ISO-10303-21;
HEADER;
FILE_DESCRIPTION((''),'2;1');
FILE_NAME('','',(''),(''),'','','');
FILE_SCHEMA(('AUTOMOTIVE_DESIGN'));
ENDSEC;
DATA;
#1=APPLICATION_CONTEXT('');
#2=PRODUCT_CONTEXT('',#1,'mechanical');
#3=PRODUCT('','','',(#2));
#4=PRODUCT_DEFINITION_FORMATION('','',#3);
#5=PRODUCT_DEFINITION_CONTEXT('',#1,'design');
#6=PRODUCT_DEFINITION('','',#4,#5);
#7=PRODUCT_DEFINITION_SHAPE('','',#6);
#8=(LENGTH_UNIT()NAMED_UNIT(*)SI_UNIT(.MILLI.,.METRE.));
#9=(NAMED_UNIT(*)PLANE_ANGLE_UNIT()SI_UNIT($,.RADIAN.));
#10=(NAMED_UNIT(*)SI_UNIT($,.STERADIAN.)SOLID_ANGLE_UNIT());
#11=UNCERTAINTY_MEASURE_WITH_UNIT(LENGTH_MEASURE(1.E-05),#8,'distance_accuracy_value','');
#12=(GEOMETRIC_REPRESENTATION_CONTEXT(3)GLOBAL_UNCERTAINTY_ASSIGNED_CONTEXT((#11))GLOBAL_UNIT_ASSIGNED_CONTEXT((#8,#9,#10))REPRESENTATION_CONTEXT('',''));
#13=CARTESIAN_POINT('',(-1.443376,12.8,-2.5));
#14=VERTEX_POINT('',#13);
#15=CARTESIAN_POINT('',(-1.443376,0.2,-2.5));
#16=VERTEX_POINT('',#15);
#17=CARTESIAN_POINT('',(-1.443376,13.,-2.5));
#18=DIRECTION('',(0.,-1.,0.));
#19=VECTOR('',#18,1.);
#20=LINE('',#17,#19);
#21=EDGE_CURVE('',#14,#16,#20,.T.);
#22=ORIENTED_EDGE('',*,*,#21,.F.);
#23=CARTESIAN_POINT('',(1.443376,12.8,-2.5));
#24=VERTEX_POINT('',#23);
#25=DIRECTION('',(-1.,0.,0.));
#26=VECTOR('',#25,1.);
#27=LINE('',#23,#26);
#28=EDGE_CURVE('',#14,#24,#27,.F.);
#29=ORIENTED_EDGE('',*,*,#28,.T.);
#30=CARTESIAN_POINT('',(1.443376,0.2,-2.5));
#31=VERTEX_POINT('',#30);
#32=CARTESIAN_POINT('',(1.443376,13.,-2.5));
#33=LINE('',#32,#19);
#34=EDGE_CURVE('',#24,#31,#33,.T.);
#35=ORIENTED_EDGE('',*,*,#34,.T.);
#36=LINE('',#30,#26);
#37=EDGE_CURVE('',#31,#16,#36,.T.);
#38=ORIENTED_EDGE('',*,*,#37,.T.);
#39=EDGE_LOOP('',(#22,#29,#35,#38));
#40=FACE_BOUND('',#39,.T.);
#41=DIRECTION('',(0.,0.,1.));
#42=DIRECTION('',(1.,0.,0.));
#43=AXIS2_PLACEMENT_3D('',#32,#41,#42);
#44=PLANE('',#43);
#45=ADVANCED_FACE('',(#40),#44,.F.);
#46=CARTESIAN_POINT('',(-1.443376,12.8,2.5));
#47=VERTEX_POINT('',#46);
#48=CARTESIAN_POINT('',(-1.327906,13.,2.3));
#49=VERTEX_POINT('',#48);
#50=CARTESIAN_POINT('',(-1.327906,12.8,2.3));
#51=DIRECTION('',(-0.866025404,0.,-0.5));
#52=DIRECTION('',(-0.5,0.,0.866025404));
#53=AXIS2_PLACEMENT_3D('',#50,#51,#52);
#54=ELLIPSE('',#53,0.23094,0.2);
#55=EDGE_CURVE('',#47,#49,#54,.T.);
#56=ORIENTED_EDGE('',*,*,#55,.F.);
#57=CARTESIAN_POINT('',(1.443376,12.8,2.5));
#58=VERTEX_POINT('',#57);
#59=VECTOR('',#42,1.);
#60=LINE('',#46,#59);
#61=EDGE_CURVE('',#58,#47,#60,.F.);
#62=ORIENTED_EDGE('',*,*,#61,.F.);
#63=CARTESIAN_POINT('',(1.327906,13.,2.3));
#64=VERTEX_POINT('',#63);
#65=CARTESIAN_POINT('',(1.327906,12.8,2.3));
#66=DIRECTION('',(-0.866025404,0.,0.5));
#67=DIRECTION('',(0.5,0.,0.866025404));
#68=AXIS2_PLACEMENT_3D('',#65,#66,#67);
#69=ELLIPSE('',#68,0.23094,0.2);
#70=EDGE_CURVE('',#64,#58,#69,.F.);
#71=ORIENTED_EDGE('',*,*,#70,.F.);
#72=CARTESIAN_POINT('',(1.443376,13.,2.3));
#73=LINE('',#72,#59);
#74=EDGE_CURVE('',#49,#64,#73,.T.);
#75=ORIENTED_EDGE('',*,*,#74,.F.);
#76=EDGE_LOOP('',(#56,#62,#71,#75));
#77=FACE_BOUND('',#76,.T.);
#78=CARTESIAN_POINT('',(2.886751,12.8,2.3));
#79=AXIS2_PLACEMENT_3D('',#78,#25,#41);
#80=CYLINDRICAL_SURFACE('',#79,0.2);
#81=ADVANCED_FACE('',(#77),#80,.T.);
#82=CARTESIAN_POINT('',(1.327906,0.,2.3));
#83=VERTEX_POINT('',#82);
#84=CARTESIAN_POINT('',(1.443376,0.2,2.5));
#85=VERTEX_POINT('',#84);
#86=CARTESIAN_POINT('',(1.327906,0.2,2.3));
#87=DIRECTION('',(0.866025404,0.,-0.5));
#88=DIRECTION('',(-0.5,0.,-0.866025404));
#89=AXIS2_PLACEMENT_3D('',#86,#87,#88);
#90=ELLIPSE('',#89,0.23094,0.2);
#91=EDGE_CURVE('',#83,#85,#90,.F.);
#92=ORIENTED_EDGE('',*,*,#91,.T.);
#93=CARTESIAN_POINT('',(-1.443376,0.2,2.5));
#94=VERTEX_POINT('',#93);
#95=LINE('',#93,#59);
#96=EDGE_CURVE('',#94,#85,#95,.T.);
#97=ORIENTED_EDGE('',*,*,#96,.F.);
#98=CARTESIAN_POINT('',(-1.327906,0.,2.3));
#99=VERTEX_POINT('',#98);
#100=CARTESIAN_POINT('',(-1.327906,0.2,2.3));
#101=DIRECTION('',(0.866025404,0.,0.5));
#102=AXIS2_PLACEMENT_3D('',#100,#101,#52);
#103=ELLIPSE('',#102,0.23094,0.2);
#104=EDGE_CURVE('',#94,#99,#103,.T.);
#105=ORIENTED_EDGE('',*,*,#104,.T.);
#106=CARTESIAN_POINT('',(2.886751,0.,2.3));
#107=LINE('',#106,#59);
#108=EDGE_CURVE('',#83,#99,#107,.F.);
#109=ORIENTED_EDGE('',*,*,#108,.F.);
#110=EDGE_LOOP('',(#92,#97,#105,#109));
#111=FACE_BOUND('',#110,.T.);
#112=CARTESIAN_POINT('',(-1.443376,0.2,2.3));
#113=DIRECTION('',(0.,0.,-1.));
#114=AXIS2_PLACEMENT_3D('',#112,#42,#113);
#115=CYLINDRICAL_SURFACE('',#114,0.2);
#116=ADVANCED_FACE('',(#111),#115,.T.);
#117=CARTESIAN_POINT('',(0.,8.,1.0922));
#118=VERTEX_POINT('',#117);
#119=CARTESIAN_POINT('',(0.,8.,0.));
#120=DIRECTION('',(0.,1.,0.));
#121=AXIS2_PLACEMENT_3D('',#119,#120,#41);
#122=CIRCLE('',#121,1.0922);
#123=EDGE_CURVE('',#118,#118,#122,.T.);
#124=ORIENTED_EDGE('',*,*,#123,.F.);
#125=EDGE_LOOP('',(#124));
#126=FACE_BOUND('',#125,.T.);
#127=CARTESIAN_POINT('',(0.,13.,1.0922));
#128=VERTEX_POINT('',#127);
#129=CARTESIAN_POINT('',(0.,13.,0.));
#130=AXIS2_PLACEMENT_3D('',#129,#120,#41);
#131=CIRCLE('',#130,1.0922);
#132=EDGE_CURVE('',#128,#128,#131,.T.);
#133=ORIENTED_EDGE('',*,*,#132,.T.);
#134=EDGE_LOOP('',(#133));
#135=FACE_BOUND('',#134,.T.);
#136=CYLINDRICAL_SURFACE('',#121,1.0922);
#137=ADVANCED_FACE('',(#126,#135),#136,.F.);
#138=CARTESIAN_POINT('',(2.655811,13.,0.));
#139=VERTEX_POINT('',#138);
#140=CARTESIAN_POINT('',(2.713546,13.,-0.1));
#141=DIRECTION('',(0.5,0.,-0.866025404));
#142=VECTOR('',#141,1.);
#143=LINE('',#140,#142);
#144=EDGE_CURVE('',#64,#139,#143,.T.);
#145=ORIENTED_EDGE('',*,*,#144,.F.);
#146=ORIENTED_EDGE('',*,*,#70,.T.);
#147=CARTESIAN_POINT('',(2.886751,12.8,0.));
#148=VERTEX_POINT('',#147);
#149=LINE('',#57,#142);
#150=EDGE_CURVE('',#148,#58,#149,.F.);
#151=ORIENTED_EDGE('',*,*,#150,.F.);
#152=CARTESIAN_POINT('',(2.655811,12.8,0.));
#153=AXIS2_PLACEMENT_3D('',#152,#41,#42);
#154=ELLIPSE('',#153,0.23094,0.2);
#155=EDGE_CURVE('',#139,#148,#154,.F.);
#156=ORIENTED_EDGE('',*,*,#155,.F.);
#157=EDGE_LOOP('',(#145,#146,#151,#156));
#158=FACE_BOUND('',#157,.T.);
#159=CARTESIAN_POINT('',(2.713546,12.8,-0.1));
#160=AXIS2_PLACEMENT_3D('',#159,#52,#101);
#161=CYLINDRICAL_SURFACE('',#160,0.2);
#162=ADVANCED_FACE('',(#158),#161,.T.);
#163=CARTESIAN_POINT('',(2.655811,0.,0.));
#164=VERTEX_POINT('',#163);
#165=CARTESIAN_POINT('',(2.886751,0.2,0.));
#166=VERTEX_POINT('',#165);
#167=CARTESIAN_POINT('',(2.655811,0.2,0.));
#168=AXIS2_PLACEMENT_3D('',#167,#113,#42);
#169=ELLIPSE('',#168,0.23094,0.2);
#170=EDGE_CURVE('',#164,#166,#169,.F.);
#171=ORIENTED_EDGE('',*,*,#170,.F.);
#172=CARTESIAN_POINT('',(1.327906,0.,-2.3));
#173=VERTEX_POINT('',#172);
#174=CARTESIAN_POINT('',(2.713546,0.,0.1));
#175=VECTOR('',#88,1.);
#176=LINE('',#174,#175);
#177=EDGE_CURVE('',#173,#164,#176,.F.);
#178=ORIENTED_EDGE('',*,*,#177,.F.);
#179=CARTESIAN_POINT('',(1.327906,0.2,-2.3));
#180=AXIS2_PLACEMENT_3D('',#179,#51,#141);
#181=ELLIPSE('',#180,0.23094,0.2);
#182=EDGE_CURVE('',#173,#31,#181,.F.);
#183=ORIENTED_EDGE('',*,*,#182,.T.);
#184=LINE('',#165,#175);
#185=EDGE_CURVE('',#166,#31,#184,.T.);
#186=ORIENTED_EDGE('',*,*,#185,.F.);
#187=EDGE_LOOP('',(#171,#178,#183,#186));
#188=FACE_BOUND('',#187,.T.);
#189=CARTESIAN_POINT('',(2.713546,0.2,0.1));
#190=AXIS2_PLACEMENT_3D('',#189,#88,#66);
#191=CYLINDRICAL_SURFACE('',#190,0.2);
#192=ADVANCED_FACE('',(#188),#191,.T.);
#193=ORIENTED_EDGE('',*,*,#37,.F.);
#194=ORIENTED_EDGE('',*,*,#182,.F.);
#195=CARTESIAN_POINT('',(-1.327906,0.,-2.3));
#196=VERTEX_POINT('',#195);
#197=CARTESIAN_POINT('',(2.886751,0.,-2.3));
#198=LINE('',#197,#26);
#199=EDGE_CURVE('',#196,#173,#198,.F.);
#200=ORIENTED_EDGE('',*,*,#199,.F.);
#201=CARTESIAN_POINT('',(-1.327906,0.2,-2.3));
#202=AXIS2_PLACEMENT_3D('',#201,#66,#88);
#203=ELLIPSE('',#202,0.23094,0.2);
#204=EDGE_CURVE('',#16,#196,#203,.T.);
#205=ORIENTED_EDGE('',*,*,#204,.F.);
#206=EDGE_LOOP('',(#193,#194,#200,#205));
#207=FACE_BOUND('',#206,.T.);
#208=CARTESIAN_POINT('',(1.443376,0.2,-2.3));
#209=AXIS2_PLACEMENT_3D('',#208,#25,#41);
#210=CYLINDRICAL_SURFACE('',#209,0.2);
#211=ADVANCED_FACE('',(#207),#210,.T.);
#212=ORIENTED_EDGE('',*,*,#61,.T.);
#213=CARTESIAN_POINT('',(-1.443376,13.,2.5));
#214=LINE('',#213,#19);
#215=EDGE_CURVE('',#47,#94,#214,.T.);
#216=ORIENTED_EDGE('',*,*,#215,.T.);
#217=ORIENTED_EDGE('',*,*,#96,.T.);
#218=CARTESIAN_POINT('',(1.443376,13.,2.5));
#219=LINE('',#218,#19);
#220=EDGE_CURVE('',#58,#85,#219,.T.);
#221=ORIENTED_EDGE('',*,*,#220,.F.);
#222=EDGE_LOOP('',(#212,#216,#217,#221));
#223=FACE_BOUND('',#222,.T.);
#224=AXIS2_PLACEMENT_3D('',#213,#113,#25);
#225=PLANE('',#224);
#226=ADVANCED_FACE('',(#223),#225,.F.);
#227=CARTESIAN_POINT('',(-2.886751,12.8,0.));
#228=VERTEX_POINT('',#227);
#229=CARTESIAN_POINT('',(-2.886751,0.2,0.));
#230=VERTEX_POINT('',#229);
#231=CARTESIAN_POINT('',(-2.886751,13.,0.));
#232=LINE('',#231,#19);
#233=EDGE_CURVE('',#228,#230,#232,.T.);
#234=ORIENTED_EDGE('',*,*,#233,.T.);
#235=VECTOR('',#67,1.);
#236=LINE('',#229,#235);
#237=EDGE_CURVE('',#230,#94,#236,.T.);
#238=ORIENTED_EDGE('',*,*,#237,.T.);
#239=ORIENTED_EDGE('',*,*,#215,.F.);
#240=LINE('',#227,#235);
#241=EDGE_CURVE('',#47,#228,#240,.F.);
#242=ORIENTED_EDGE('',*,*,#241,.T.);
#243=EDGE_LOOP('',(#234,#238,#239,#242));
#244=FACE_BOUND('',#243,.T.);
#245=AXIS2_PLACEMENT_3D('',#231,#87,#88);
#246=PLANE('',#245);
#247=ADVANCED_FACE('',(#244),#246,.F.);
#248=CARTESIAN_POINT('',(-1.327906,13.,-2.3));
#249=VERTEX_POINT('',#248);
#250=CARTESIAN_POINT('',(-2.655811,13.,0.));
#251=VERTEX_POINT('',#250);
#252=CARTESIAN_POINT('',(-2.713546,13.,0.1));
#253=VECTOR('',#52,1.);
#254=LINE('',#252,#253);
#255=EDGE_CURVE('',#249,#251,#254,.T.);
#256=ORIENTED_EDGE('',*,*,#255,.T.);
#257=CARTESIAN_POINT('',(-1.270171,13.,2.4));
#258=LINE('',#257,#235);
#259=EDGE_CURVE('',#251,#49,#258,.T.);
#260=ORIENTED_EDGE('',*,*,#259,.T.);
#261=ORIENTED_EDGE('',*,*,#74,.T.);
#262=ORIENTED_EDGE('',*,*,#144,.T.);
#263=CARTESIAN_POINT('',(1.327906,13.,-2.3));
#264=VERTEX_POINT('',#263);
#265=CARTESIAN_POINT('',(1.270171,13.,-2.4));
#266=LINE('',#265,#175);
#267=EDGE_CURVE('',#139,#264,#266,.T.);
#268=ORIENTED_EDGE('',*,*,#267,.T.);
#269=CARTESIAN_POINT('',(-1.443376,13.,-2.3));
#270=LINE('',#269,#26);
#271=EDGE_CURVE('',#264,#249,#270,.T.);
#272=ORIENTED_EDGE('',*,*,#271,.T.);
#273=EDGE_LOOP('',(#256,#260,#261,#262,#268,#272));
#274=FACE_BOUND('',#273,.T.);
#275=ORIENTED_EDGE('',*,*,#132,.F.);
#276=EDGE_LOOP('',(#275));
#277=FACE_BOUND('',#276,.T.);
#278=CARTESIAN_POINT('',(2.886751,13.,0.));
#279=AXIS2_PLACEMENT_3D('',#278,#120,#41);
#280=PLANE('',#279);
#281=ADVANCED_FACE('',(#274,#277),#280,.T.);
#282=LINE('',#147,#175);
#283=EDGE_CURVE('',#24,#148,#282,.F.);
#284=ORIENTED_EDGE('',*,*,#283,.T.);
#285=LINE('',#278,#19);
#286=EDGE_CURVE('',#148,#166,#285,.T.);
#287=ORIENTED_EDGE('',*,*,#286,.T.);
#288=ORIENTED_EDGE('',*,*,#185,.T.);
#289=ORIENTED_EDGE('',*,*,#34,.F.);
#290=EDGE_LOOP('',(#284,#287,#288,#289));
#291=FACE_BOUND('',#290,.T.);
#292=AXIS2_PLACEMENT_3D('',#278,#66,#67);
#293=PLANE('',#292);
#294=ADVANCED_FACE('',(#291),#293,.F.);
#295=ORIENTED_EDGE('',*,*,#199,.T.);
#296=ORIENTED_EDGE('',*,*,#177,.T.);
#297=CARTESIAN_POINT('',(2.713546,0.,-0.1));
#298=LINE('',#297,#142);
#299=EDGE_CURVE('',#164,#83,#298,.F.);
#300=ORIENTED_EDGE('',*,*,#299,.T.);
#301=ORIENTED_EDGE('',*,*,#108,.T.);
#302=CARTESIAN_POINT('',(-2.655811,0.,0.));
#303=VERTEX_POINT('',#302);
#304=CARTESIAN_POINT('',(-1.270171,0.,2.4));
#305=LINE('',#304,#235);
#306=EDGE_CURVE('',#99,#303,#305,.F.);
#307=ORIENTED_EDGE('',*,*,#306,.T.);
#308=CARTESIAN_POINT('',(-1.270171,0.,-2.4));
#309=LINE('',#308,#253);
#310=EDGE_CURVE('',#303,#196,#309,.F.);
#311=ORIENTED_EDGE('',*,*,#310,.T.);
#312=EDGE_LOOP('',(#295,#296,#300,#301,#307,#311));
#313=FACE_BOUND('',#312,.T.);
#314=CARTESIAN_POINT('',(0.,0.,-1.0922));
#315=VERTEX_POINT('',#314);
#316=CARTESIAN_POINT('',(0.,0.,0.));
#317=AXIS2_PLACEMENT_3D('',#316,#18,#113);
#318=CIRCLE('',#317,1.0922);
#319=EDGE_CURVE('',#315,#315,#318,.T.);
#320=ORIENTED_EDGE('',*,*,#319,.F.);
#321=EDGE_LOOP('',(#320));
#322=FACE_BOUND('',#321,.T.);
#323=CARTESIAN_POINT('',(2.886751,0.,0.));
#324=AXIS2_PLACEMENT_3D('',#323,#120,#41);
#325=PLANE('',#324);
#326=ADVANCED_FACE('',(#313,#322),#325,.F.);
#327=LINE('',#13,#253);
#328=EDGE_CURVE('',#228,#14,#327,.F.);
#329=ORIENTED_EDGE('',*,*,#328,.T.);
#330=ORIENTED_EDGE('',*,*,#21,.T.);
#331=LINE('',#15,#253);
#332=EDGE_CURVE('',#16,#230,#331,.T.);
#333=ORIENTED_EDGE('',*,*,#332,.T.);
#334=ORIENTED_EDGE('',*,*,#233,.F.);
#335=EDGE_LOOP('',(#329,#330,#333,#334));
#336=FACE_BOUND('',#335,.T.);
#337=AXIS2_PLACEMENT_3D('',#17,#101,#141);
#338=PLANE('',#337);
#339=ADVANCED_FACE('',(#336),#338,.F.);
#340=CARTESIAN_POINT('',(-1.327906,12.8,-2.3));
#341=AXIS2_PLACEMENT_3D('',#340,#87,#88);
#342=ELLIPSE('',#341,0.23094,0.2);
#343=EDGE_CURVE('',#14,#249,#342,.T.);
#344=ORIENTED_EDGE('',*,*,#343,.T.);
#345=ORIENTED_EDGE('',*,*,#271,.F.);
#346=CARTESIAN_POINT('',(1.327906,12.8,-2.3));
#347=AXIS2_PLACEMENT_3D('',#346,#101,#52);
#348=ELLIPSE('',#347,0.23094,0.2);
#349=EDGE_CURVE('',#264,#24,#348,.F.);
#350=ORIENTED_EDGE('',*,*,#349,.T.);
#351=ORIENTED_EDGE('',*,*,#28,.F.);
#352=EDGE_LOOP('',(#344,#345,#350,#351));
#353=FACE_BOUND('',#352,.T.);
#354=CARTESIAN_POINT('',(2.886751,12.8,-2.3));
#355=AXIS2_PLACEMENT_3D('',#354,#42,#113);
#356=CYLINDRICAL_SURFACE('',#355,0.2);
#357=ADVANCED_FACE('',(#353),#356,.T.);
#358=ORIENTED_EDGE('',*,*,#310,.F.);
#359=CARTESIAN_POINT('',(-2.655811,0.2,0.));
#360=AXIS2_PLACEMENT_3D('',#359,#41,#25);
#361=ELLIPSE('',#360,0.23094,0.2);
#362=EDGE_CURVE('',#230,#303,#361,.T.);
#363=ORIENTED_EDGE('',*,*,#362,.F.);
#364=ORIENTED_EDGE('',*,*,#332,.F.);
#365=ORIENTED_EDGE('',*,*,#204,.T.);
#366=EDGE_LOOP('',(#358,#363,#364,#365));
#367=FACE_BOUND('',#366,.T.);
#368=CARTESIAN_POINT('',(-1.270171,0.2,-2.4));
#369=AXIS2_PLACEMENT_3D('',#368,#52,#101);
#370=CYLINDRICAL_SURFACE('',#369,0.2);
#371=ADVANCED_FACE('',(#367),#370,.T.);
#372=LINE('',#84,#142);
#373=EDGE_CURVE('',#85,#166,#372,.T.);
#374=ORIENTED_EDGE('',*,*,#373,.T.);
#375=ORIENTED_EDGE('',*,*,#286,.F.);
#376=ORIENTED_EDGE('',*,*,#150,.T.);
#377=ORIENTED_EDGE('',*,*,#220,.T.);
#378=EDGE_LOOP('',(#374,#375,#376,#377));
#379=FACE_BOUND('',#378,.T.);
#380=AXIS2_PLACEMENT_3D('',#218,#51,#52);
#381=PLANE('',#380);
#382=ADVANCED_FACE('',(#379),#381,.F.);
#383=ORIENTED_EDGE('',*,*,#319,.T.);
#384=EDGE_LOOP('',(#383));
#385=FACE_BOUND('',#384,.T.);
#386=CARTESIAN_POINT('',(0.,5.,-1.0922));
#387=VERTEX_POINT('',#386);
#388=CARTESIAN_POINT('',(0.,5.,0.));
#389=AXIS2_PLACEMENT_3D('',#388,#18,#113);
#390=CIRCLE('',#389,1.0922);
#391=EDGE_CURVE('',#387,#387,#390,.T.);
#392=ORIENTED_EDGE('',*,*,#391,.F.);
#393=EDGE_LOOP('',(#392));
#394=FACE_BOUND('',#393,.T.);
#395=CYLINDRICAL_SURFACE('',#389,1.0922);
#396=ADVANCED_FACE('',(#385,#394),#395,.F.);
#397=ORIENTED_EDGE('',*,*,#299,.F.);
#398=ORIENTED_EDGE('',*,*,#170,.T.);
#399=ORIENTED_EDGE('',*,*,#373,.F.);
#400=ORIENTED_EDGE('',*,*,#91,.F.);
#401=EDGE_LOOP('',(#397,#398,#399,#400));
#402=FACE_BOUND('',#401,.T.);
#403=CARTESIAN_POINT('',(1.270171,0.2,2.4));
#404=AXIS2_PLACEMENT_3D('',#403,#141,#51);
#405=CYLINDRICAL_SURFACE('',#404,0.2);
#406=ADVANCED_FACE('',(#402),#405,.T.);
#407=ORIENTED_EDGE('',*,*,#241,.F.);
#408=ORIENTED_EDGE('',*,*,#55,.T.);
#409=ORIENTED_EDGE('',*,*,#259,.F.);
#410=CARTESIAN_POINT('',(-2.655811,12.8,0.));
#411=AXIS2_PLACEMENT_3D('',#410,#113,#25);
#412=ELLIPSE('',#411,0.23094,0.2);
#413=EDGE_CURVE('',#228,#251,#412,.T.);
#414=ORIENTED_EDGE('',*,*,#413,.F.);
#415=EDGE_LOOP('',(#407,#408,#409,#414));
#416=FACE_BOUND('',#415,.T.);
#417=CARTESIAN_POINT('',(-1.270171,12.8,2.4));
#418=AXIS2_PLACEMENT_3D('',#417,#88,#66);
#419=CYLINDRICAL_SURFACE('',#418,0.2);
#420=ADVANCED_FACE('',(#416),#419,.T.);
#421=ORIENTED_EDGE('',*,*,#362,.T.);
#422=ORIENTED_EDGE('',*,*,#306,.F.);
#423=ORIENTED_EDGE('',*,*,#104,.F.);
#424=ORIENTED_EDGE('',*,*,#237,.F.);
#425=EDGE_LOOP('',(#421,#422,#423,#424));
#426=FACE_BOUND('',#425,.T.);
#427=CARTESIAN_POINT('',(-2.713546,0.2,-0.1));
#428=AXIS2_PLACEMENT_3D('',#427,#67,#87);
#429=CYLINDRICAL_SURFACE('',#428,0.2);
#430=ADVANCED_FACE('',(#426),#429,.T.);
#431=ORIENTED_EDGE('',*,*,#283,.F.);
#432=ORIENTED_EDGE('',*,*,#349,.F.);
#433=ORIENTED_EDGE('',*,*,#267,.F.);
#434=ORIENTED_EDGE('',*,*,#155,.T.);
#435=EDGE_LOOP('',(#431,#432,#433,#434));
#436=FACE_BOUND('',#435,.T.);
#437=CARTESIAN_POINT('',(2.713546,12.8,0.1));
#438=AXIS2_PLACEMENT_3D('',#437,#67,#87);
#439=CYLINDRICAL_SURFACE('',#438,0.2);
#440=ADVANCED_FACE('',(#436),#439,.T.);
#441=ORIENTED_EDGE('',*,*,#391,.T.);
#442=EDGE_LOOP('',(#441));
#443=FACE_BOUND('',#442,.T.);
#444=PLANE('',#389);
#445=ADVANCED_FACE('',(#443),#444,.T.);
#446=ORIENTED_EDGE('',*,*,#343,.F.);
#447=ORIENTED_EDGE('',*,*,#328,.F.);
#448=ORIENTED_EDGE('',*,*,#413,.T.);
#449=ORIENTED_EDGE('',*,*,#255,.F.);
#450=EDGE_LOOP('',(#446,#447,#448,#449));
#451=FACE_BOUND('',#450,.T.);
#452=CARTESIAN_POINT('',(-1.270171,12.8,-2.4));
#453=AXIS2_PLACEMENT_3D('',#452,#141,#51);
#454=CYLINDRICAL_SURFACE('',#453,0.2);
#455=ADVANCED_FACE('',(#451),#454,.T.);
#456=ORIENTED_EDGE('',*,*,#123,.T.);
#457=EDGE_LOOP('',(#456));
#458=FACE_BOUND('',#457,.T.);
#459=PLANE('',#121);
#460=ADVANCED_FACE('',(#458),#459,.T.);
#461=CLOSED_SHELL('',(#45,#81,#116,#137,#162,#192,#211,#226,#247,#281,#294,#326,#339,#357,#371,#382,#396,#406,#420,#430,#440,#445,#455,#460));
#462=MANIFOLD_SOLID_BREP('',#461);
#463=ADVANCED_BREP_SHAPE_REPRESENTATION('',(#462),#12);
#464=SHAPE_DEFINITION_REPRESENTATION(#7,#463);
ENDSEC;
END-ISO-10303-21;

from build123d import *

# Parameters (mm, degrees)
RESSALTO_EXTRUS_O1_DEPTH = 13
FILETE1_R                = 0.2
ESBO_O3_R                = 1.0922
CORTE_EXTRUS_O1_DEPTH    = 5
CORTE_EXTRUS_O2_START    = -5
ESBO_O2_R                = 1.0922
CORTE_EXTRUS_O2_DEPTH    = 5


with BuildPart() as part:
    # Esboço1 → Ressalto-extrusão1 (new body)
    with BuildSketch(Plane(origin=(0, 0, 0), x_dir=(1, 0, 0), z_dir=(0, 1, 0))):
        Polygon((2.886751346, 0), (1.443375673, 2.5), (-1.443375673, 2.5), (-2.886751346, 0), (-1.443375673, -2.5), (1.443375673, -2.5), align=None)
    extrude(amount=RESSALTO_EXTRUS_O1_DEPTH)

    # Filete1
    filete1_edges = [part.edges().sort_by_distance(p)[0] for p in [
        (0, 13, -2.5),
        (-2.165063509, 13, -1.25),
        (-2.165063509, 13, 1.25),
        (0, 13, 2.5),
        (2.165063509, 13, 1.25),
        (0, 0, 2.5),
        (-2.165063509, 0, 1.25),
        (-2.165063509, 0, -1.25),
        (2.165063509, 13, -1.25),
        (0, 0, -2.5),
        (2.165063509, 0, -1.25),
        (2.165063509, 0, 1.25),
    ]]
    fillet(filete1_edges, radius=FILETE1_R)

    # Esboço3 → Corte-extrusão1 (cut)
    with BuildSketch(Plane(origin=(0, 13, 0), x_dir=(1, 0, 0), z_dir=(0, 1, 0))):
        with Locations(Location((0, 0, 0), (0, 0, 270))):
            Circle(ESBO_O3_R)
    extrude(amount=-CORTE_EXTRUS_O1_DEPTH, mode=Mode.SUBTRACT)

    # Esboço2 → Corte-extrusão2 (cut)
    with BuildSketch(Plane.XZ.offset(CORTE_EXTRUS_O2_START)):
        with Locations(Location((0, 0, 0), (0, 0, 90))):
            Circle(ESBO_O2_R)
    extrude(amount=CORTE_EXTRUS_O2_DEPTH, mode=Mode.SUBTRACT)


solid = part.part
